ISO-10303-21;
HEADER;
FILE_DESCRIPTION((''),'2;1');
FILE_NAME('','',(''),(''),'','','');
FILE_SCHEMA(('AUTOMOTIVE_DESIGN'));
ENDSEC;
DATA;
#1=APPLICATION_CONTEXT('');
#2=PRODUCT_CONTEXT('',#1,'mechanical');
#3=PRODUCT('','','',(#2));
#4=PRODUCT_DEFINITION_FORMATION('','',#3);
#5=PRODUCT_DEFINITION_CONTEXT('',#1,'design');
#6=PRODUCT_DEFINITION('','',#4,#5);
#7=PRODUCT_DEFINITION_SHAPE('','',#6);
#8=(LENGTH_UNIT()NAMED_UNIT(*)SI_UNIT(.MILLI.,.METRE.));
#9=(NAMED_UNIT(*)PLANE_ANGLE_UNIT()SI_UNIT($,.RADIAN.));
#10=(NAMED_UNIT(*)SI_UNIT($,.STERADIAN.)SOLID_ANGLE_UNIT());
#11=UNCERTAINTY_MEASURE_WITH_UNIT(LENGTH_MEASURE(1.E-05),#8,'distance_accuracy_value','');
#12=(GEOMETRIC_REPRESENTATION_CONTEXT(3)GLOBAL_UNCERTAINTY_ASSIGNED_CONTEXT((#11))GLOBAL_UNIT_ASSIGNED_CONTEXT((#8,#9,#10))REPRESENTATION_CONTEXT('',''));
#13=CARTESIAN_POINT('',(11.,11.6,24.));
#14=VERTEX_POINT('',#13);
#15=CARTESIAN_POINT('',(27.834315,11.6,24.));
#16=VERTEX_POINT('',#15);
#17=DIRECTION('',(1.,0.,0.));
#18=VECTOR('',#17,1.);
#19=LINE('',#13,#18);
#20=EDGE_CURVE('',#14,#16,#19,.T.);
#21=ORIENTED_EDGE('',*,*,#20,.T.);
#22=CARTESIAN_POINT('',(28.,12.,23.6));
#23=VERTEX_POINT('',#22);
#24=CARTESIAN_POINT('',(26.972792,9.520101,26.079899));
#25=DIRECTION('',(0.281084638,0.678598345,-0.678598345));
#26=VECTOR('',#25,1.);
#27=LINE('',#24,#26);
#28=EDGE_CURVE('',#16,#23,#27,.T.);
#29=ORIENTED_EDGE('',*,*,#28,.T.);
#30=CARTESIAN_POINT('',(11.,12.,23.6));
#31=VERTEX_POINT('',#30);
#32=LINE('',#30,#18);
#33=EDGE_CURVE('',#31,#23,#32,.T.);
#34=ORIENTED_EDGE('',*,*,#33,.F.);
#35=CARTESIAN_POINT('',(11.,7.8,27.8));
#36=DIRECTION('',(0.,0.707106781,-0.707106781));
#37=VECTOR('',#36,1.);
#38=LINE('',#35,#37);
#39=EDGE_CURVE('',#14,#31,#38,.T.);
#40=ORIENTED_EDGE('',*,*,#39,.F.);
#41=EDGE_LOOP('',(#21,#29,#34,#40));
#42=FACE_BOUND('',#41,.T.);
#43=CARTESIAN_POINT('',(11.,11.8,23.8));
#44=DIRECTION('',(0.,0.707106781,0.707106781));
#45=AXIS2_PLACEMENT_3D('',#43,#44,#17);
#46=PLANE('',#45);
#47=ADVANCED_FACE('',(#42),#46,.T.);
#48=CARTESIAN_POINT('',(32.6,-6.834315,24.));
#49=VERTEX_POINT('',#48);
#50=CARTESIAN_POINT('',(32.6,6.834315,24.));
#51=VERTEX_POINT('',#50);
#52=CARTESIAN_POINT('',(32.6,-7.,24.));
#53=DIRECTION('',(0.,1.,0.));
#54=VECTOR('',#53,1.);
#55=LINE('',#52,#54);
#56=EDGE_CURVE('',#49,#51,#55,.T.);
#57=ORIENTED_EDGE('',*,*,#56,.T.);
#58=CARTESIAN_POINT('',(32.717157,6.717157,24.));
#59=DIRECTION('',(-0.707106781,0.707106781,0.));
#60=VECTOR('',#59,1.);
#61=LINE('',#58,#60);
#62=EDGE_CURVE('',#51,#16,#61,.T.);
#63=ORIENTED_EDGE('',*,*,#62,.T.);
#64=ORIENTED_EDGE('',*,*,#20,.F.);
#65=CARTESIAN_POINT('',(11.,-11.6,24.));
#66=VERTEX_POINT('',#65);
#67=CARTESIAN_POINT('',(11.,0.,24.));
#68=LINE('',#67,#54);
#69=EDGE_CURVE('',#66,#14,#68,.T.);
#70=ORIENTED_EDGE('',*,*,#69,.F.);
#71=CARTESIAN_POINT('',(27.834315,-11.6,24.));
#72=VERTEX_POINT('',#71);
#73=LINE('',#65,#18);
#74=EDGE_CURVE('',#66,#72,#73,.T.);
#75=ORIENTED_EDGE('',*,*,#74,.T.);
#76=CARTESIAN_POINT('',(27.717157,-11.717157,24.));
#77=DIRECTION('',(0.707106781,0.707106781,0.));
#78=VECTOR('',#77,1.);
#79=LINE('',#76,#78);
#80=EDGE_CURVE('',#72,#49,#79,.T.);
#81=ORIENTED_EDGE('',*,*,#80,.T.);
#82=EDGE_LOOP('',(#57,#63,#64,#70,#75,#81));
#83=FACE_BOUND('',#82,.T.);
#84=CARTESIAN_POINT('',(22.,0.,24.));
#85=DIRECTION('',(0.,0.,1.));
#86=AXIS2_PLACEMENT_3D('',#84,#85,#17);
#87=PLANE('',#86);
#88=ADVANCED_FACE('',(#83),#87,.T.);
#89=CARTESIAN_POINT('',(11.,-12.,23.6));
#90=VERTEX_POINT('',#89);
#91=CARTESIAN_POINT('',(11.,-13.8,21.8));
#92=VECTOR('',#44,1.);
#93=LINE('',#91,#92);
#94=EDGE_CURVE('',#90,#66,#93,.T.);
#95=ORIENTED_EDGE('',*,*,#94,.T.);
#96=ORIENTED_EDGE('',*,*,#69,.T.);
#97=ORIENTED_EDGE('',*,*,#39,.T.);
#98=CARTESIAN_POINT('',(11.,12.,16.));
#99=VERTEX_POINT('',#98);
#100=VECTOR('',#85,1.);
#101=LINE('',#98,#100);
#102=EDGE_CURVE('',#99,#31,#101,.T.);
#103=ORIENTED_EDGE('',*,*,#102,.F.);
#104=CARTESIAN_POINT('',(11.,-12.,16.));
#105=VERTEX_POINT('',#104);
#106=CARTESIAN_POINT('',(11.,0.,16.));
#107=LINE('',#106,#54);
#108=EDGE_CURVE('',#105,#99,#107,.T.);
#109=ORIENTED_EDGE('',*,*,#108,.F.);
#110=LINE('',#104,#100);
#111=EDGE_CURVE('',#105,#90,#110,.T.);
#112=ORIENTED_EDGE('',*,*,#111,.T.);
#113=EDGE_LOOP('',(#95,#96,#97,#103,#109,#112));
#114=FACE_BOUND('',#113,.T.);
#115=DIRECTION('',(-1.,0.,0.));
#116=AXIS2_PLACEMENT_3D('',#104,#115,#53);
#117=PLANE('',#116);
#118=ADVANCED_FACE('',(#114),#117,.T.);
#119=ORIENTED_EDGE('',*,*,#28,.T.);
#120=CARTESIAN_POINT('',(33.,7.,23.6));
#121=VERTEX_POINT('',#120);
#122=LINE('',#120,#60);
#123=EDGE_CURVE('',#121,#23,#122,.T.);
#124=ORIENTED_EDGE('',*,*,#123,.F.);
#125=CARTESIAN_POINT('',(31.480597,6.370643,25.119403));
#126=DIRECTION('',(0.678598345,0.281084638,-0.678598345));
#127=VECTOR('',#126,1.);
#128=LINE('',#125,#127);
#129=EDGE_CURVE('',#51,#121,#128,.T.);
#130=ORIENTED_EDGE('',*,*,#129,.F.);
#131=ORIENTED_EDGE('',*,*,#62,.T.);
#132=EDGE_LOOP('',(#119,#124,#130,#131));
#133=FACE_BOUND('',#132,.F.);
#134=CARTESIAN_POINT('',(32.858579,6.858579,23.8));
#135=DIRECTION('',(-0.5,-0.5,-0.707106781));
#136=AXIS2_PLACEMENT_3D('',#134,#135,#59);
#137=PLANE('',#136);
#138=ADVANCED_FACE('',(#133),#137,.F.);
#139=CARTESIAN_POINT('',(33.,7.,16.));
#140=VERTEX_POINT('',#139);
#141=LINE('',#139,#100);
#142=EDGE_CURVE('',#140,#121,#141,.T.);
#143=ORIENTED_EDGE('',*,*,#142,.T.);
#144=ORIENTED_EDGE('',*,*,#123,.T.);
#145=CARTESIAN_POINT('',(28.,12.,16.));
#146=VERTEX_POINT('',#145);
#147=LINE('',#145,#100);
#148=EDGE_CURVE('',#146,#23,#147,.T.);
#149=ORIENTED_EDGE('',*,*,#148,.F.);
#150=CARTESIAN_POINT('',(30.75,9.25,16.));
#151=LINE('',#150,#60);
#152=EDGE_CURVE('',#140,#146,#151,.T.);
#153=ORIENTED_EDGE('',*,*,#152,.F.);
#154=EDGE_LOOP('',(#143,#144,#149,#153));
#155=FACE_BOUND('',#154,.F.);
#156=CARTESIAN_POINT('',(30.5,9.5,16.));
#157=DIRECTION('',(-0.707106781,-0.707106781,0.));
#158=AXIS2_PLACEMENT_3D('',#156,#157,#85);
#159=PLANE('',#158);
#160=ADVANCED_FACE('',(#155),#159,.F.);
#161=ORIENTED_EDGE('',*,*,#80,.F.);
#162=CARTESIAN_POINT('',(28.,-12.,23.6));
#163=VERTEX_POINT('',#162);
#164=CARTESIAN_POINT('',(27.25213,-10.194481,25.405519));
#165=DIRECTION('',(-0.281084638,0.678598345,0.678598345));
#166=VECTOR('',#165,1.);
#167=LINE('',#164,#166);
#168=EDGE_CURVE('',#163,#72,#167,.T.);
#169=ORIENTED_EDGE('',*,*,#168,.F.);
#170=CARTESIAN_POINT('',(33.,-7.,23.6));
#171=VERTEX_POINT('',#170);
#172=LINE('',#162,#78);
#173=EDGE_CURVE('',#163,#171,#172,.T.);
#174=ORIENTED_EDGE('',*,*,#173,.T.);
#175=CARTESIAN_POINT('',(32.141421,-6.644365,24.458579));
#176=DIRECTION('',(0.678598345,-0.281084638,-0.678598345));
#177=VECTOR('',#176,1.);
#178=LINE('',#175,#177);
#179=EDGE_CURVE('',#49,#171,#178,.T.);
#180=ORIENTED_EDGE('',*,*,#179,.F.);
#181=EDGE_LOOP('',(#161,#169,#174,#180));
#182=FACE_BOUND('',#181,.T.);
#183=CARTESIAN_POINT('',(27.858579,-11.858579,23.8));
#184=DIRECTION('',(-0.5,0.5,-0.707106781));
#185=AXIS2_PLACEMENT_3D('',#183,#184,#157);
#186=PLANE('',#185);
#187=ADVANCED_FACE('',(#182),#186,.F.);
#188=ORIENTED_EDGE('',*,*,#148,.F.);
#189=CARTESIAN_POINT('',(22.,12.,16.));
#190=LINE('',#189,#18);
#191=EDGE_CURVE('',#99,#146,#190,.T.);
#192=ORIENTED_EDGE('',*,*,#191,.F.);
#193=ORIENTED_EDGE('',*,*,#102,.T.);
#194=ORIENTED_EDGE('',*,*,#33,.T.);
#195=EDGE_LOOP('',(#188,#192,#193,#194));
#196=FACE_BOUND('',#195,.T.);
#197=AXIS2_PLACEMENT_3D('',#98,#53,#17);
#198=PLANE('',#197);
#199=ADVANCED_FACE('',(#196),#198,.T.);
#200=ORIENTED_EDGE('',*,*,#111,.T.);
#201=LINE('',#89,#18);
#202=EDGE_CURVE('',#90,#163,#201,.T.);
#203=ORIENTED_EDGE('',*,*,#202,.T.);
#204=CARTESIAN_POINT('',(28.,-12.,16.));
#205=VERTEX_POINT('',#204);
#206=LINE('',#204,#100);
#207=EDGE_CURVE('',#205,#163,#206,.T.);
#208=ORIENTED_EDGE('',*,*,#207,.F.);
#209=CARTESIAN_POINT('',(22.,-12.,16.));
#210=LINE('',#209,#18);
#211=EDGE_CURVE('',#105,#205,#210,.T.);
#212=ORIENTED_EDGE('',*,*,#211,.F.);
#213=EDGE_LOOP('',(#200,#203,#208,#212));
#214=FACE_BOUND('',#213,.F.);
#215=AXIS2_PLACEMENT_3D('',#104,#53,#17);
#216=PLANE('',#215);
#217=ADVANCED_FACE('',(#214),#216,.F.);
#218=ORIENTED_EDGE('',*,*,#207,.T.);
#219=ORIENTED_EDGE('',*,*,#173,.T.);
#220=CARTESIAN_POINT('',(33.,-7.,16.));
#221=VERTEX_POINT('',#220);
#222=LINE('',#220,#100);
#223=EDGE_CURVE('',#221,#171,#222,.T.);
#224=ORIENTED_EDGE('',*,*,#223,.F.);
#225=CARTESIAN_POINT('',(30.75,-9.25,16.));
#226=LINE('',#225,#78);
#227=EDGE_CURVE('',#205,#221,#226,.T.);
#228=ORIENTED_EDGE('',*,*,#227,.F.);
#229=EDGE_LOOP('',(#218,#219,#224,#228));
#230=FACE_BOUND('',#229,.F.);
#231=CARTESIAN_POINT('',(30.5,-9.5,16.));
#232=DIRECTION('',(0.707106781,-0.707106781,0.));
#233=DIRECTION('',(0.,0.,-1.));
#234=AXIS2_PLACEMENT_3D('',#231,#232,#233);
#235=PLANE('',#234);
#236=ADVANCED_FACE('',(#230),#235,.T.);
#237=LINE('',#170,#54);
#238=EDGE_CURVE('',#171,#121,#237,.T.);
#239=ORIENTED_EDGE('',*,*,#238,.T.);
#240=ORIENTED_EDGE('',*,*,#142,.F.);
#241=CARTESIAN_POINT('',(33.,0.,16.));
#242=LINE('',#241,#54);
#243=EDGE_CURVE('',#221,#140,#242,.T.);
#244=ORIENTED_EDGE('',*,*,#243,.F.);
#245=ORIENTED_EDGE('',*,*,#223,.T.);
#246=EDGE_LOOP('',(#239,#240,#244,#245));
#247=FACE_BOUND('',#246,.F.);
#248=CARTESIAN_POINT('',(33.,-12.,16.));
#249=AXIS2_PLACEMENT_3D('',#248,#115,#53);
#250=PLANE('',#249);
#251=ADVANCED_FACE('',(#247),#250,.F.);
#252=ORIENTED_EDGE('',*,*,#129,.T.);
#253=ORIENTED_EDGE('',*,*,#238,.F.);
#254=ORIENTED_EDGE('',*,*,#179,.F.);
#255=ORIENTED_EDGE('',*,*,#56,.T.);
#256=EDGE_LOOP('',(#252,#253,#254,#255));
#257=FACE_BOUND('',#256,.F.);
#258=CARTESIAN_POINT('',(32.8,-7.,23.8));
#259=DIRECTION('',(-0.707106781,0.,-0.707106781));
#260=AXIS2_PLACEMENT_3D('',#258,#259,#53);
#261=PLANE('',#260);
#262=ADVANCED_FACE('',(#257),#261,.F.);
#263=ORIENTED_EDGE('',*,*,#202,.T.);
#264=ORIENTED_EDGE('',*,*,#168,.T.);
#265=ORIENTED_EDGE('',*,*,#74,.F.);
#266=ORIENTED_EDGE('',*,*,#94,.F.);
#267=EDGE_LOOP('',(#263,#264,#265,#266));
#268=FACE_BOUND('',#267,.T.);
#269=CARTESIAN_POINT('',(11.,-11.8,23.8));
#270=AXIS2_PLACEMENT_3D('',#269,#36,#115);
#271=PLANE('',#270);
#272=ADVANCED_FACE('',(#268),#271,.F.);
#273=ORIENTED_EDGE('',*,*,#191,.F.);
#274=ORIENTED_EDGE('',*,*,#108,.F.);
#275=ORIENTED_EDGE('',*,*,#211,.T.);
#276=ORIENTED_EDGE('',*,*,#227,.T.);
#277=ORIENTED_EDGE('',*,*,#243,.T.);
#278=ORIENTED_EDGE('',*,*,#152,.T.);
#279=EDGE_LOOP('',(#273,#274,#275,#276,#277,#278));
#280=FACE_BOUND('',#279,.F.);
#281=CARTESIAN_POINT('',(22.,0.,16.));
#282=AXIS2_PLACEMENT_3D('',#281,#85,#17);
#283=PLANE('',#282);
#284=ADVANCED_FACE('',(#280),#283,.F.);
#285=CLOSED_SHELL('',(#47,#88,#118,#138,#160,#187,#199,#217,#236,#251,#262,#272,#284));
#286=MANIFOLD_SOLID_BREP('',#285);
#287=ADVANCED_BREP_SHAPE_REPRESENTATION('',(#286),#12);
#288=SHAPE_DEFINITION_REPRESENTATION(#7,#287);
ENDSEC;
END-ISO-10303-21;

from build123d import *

# Parameters (mm, degrees)
BOX032_W                                   = 22
BOX032_H                                   = 24
BOX032_DEPTH                               = 8
CHAMFER004013007011015006009007001004_SIZE = 5
CHAMFER004013007011015006009007001005_SIZE = 0.4


with BuildPart() as part:
    # Box032 → Box032 (new body)
    with BuildSketch(Plane(origin=(11, -12, 16), x_dir=(1, 0, 0), z_dir=(0, 0, 1))):
        with Locations((11, 12)):
            Rectangle(BOX032_W, BOX032_H)
    extrude(amount=BOX032_DEPTH)

    # Chamfer004013007011015006009007001004
    chamfer004013007011015006009007001004_edges = [part.edges().sort_by_distance(p)[0] for p in [
        (33, -12, 20),
        (33, 12, 20),
    ]]
    chamfer(chamfer004013007011015006009007001004_edges, length=CHAMFER004013007011015006009007001004_SIZE)

    # Chamfer004013007011015006009007001005
    chamfer004013007011015006009007001005_edges = [part.edges().sort_by_distance(p)[0] for p in [
        (33, 0, 24),
        (19.5, 12, 24),
        (19.5, -12, 24),
        (30.5, -9.5, 24),
        (30.5, 9.5, 24),
    ]]
    chamfer(chamfer004013007011015006009007001005_edges, length=CHAMFER004013007011015006009007001005_SIZE)


solid = part.part
